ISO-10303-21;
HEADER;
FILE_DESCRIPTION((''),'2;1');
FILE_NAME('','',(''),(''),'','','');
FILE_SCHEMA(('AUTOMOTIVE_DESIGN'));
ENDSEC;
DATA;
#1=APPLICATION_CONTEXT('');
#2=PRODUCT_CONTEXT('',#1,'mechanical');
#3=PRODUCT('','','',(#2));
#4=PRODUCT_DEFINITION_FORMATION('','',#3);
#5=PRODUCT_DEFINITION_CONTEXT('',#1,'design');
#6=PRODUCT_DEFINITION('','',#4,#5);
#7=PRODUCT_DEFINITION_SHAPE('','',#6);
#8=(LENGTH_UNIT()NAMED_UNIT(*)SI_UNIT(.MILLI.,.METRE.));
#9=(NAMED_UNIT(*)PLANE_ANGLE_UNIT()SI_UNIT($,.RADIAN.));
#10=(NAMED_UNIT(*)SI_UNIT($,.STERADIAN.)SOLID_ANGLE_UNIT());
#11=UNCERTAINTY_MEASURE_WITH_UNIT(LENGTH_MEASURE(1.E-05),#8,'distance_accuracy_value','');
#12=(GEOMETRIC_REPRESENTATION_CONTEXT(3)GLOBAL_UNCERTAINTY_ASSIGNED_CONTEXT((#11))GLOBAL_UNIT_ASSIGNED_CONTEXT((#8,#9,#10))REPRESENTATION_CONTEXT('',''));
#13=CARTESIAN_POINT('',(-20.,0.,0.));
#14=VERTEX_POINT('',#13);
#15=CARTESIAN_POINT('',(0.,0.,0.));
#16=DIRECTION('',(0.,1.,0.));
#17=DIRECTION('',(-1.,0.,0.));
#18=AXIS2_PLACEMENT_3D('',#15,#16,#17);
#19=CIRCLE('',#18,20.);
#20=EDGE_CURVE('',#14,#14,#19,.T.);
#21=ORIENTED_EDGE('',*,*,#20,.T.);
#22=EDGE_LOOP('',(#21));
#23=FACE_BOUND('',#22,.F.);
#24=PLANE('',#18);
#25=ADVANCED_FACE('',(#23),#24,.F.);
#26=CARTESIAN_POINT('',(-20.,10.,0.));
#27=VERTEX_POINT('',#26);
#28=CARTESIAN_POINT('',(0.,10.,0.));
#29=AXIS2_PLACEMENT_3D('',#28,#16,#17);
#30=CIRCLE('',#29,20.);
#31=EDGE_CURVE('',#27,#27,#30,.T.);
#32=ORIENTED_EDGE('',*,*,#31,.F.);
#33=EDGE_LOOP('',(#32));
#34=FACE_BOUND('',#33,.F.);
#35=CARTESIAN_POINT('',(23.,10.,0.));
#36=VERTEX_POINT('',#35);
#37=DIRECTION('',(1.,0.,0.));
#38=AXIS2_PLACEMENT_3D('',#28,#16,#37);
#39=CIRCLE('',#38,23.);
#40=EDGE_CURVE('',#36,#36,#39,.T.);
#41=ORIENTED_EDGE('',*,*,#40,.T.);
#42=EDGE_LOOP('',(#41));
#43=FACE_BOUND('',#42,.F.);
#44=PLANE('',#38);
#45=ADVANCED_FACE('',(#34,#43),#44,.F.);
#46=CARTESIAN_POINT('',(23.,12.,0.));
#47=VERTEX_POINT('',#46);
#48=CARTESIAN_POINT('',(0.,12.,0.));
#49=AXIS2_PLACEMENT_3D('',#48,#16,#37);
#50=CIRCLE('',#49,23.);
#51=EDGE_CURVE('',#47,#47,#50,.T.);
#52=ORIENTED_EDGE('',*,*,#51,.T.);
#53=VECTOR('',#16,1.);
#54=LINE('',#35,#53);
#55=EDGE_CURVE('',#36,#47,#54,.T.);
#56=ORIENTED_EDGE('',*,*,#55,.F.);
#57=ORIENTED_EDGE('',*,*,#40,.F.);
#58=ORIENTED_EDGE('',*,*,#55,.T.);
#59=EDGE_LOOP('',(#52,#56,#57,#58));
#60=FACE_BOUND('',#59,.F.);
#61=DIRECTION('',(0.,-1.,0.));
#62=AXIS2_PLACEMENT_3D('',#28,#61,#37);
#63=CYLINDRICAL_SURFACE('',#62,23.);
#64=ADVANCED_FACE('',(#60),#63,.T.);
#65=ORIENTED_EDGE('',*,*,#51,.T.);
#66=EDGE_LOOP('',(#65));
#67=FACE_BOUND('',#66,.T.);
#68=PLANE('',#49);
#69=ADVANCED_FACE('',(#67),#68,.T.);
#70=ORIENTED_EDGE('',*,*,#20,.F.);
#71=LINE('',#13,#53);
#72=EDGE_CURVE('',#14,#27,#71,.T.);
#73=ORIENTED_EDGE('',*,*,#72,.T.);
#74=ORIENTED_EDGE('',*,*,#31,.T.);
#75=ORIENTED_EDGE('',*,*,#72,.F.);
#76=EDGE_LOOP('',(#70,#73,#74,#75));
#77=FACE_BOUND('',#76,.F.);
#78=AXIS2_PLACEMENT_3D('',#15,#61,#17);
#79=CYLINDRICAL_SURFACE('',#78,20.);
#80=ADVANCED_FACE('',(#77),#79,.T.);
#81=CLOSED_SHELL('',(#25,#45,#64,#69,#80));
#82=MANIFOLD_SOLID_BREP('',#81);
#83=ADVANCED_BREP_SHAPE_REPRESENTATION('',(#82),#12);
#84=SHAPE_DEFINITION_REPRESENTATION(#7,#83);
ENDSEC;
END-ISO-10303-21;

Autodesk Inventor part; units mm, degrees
ref_plane "YZ Plane" through (0, 0, 0) normal (1, 0, 0) x (0, 1, 0)
ref_plane "XZ Plane" through (0, 0, 0) normal (0, 1, 0) x (-1, 0, 0)
ref_plane "XY Plane" through (0, 0, 0) normal (0, 0, 1) x (1, 0, 0)
sketch "Boceto1" plane through (0, 0, 0) normal (0, 1, 0) x (-1, 0, 0)
  circle A0 centre (0, 0) radius 20
  dimension "d0" = 40
extrude "Extrusión1" add sketch "Boceto1" along normal blind 10
sketch "Boceto2" plane through (0, 10, 0) normal (0, 1, 0) x (1, 0, 0)
  circle A0 centre (0, 0) radius 23
  dimension "d3" = 46
extrude "Extrusión2" add sketch "Boceto2" along normal blind 2
properties part number "cilindro"
